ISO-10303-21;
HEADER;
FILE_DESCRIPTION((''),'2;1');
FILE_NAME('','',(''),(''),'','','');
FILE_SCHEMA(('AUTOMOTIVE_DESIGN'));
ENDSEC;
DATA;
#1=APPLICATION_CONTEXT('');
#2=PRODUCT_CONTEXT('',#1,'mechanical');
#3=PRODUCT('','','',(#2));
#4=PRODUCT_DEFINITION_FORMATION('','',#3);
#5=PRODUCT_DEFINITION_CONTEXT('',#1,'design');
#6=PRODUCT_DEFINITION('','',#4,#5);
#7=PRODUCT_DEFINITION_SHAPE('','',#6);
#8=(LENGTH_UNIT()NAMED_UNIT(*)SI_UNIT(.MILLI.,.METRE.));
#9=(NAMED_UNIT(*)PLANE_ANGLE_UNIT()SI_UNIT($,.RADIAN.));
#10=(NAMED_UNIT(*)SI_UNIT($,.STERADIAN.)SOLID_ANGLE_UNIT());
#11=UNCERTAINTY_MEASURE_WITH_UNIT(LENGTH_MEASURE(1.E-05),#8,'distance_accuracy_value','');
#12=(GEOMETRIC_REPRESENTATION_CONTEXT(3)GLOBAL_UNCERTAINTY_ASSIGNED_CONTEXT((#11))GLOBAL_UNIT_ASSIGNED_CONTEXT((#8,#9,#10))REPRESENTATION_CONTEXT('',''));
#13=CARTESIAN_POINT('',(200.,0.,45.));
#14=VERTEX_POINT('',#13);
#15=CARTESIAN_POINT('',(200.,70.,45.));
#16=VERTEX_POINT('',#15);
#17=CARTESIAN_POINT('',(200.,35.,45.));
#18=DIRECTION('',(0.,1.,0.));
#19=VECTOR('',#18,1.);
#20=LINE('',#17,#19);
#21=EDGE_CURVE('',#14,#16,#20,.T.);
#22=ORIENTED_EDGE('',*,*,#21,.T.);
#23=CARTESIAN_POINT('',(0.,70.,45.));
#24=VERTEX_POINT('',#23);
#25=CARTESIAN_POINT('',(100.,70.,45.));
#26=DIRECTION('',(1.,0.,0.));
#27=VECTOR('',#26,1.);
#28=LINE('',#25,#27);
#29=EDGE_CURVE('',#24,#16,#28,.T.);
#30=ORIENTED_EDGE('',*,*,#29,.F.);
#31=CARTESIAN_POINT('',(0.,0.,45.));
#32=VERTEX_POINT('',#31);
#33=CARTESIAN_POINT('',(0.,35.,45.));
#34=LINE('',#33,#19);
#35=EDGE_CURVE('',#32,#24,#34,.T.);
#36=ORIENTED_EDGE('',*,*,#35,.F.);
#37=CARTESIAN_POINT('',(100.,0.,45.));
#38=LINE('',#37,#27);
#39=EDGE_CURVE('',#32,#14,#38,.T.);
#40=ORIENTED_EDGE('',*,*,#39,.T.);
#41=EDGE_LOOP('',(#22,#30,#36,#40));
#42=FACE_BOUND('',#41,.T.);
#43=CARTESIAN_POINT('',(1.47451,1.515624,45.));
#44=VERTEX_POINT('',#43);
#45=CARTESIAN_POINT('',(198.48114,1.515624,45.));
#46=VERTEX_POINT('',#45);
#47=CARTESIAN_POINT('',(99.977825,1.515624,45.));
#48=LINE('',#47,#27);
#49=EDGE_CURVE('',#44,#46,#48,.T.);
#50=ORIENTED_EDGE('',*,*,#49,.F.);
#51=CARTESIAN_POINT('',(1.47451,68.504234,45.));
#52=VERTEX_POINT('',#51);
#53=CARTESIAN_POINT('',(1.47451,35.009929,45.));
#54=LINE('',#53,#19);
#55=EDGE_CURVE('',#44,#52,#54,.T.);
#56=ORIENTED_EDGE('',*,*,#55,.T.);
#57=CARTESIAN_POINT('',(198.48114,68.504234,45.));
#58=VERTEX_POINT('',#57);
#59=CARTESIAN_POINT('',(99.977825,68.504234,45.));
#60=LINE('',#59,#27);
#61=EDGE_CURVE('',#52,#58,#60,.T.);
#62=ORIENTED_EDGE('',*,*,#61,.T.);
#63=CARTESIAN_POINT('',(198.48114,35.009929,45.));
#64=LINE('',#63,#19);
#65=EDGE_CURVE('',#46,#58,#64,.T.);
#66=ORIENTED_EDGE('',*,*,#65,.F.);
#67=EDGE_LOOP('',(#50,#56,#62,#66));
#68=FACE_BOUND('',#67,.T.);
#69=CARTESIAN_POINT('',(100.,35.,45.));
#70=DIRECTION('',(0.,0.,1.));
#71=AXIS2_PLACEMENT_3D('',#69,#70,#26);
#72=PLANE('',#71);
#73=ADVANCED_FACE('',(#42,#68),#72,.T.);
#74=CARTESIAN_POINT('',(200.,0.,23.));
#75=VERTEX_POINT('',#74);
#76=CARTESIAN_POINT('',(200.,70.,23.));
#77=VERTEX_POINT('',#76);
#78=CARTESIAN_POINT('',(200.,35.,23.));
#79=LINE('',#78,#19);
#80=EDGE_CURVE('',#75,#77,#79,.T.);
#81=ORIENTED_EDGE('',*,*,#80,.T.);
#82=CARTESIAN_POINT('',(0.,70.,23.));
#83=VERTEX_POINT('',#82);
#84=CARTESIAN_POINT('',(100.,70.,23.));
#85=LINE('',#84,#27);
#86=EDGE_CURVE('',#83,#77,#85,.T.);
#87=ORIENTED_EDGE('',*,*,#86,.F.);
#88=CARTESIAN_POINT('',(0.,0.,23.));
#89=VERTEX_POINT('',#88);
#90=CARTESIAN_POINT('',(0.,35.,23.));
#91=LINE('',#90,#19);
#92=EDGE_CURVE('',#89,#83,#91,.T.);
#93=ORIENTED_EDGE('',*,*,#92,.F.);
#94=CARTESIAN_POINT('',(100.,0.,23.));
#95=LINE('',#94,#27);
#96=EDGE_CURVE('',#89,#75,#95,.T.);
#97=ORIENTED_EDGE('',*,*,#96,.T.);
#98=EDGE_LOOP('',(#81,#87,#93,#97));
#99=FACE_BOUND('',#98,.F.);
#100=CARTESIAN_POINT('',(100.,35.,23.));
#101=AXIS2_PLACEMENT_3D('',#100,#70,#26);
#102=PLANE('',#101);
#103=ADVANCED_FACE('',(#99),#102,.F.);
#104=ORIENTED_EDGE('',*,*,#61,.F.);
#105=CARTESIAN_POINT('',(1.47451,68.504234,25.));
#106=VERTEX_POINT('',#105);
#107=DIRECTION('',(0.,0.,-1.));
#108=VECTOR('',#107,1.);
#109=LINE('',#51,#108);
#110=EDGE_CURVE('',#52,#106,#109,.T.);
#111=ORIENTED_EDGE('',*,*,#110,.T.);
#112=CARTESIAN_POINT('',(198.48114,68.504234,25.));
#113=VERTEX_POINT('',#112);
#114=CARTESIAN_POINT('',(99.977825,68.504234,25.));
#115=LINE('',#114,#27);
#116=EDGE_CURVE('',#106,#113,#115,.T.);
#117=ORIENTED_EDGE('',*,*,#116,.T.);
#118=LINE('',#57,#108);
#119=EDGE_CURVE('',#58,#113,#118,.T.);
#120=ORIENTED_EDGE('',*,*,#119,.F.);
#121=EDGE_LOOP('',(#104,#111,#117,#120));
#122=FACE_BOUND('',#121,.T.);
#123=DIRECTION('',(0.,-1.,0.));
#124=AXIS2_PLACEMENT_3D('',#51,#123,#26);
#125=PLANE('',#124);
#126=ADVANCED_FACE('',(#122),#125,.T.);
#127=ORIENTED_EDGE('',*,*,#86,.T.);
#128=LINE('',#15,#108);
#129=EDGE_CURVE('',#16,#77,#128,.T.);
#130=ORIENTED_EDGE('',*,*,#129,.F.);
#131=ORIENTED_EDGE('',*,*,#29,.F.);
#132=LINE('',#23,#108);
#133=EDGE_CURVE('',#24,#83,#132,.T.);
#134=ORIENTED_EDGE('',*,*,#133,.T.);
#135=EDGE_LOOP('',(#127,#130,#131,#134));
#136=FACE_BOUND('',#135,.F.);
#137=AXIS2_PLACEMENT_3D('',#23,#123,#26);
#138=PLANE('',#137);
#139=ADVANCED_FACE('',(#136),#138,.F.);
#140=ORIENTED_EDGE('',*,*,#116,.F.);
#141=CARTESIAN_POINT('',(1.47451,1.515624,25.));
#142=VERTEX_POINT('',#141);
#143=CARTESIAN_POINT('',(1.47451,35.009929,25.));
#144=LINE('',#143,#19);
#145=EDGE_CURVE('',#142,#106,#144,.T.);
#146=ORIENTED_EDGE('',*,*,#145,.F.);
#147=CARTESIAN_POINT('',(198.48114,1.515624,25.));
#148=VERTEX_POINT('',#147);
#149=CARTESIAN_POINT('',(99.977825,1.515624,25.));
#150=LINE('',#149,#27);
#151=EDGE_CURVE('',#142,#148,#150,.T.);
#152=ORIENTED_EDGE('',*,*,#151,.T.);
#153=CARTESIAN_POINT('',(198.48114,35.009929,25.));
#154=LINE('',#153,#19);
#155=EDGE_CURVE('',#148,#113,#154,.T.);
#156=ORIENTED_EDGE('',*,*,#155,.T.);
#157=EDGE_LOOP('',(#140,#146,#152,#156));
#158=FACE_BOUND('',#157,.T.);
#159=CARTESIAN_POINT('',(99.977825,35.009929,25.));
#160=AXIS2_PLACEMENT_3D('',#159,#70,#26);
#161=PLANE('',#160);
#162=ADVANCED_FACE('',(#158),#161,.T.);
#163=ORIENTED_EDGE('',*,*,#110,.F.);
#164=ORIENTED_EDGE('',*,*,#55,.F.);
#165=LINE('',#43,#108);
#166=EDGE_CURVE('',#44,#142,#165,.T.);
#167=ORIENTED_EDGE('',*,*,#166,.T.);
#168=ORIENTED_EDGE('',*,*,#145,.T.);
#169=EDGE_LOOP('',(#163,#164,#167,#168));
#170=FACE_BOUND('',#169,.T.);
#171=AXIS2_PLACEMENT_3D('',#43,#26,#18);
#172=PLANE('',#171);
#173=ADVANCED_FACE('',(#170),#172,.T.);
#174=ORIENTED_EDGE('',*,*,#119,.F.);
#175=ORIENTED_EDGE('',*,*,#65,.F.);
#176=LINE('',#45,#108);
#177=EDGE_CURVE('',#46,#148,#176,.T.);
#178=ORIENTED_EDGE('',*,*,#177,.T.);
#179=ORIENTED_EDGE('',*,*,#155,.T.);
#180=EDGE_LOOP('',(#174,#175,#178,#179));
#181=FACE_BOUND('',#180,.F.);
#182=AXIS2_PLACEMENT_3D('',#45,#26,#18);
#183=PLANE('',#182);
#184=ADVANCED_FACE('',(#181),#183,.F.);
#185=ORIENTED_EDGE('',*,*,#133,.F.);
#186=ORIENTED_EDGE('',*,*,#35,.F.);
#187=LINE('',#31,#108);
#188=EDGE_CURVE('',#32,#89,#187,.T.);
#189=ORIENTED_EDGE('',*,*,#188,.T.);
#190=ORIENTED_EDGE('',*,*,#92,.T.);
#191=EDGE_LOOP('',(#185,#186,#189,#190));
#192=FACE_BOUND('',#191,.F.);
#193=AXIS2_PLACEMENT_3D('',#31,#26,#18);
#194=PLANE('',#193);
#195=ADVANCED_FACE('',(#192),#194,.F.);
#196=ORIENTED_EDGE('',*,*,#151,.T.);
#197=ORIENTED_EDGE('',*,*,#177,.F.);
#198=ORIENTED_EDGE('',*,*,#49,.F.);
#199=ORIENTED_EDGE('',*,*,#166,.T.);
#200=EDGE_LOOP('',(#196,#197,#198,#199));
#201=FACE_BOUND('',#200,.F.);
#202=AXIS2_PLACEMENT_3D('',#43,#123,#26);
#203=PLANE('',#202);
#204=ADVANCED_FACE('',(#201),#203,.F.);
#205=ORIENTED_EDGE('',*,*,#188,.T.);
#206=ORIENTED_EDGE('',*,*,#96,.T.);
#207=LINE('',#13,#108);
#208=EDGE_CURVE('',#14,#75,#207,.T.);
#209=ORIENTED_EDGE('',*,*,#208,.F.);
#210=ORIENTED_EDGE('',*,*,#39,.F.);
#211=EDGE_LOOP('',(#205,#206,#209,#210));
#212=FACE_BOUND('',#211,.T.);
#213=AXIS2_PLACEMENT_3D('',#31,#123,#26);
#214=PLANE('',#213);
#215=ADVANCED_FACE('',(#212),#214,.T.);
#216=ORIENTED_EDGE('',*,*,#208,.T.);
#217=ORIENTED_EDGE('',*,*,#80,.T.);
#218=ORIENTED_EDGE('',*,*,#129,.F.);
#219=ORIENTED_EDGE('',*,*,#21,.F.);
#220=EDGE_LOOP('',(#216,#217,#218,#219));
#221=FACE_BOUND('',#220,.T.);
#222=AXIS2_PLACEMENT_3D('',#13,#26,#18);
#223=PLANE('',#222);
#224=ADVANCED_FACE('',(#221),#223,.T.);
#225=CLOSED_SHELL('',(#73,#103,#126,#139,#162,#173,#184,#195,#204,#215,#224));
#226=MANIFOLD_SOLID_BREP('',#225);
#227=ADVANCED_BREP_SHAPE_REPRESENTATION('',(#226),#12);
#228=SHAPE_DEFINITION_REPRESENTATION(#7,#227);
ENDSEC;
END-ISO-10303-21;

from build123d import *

# Parameters (mm, degrees)
SKETCH_W     = 200
SKETCH_H     = 70
PAD_DEPTH    = 22
SKETCH001_W  = 197.00663
SKETCH001_H  = 66.988611
POCKET_DEPTH = 20


with BuildPart() as part:
    # Sketch (on Sketch) → Pad (new body)
    with BuildSketch(Plane.XY.offset(45)):
        with Locations((100, 35)):
            Rectangle(SKETCH_W, SKETCH_H)
    extrude(amount=-PAD_DEPTH)

    # Sketch001 (on Face6 of Pad) → Pocket (cut)
    with BuildSketch(Plane.XY.offset(45)):
        with Locations((99.977825, 35.009929)):
            Rectangle(SKETCH001_W, SKETCH001_H)
    extrude(amount=-POCKET_DEPTH, mode=Mode.SUBTRACT)


solid = part.part
